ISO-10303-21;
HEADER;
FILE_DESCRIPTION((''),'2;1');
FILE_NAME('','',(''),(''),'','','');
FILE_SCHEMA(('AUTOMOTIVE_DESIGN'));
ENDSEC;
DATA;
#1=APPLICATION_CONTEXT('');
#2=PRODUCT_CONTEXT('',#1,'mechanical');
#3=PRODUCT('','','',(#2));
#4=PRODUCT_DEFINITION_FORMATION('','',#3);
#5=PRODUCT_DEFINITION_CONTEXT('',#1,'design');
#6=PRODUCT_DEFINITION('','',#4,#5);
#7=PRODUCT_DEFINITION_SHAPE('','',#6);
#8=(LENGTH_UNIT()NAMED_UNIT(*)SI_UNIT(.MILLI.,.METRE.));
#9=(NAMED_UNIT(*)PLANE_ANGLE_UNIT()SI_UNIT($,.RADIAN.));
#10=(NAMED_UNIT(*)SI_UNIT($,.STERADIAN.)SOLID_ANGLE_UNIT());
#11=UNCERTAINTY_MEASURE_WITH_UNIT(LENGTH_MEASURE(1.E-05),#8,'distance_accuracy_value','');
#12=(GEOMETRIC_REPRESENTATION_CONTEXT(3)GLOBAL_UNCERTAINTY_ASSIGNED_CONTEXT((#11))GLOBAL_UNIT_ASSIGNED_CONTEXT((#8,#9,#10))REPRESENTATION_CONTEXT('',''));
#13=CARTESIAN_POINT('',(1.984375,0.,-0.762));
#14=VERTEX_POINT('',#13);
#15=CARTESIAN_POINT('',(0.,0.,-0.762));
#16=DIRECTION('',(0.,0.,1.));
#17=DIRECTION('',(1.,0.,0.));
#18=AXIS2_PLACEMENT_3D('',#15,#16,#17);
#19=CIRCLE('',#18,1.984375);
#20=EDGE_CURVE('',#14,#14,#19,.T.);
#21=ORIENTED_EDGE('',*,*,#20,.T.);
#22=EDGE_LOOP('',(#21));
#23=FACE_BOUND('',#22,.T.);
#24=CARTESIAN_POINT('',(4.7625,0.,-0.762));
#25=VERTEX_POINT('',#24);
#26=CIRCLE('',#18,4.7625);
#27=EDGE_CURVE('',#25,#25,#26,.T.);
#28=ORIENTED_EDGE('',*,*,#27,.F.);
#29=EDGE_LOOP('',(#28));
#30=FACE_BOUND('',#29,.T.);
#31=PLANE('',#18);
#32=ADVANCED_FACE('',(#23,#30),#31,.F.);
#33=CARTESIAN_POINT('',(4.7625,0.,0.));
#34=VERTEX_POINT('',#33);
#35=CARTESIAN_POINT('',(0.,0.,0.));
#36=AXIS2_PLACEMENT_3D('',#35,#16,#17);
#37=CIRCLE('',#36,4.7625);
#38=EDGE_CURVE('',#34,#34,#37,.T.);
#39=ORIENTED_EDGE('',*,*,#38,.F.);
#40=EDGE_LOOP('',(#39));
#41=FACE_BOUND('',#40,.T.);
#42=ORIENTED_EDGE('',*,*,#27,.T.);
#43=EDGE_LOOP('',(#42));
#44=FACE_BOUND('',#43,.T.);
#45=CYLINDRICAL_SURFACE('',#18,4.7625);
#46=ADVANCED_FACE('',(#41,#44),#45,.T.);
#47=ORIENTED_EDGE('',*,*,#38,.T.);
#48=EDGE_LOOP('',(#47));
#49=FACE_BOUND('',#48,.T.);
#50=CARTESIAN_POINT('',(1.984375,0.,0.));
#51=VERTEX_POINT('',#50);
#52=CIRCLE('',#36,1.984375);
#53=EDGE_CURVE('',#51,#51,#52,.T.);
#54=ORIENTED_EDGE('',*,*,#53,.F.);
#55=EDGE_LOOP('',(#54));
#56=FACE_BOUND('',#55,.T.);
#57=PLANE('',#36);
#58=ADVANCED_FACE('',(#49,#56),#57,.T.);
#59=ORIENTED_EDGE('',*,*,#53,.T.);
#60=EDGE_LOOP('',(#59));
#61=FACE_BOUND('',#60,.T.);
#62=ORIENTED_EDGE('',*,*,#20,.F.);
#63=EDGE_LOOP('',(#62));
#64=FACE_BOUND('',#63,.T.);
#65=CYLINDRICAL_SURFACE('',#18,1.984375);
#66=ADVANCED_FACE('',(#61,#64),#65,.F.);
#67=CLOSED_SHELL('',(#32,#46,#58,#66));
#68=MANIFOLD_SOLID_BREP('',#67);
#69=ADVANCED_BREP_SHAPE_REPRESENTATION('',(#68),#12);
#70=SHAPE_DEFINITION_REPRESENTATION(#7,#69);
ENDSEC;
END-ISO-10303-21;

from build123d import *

# Parameters (mm, degrees)
SKETCH1_R      = 4.7625
SKETCH1_R_2    = 1.984375
EXTRUDE1_DEPTH = 0.762


with BuildPart() as part:
    # Sketch1 → Extrude1 (new body)
    with BuildSketch(Plane.XY):
        Circle(SKETCH1_R)
        Circle(SKETCH1_R_2, mode=Mode.SUBTRACT)
    extrude(amount=-EXTRUDE1_DEPTH)


solid = part.part
